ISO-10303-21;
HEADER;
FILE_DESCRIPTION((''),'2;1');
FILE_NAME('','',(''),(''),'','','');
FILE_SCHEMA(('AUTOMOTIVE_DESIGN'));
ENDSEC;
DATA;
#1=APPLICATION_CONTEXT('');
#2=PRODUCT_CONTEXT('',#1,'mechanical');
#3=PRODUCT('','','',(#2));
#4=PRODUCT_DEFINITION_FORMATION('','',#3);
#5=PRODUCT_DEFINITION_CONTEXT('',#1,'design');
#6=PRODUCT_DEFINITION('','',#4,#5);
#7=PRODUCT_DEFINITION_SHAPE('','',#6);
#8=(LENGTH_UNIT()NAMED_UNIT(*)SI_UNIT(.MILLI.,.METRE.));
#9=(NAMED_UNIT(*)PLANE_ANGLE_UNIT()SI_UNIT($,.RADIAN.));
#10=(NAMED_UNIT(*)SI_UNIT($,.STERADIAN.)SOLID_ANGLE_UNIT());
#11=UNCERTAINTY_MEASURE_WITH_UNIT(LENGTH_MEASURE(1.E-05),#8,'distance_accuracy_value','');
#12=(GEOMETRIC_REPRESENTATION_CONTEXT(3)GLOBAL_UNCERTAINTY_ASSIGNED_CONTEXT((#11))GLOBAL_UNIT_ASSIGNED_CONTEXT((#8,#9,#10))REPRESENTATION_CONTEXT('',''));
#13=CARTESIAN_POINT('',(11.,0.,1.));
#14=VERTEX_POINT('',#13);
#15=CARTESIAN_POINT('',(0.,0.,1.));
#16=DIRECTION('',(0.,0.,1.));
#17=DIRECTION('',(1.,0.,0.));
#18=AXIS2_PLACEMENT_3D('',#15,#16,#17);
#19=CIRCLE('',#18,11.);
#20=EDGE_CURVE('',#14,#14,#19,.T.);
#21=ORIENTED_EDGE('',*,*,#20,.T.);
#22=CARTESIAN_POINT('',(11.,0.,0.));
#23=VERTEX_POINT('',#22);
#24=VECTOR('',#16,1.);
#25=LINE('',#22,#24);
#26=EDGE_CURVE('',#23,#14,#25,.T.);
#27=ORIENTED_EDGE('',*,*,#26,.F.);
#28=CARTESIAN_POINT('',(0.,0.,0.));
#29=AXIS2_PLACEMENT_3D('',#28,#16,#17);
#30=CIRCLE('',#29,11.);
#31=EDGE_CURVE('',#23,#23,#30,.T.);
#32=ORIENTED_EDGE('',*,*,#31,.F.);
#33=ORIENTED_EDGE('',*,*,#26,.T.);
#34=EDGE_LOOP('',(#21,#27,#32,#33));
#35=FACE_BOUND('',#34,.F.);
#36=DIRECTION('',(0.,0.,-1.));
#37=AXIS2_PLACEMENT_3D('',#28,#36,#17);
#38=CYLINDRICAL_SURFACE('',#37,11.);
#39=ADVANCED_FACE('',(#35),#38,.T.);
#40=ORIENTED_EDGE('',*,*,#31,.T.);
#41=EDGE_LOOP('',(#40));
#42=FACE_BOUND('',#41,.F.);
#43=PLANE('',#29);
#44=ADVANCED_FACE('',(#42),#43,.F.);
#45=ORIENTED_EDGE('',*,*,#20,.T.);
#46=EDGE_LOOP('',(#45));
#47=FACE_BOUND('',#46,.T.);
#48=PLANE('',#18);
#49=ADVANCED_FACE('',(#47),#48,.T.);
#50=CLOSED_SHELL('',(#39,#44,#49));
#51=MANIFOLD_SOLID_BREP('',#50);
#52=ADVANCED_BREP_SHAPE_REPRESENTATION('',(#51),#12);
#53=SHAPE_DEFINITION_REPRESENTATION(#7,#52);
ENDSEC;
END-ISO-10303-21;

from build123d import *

# Parameters (mm, degrees)
SKETCH_R  = 11
PAD_DEPTH = 1


with BuildPart() as part:
    # Sketch → Pad (new body)
    with BuildSketch(Plane.XY):
        Circle(SKETCH_R)
    extrude(amount=PAD_DEPTH)


solid = part.part
